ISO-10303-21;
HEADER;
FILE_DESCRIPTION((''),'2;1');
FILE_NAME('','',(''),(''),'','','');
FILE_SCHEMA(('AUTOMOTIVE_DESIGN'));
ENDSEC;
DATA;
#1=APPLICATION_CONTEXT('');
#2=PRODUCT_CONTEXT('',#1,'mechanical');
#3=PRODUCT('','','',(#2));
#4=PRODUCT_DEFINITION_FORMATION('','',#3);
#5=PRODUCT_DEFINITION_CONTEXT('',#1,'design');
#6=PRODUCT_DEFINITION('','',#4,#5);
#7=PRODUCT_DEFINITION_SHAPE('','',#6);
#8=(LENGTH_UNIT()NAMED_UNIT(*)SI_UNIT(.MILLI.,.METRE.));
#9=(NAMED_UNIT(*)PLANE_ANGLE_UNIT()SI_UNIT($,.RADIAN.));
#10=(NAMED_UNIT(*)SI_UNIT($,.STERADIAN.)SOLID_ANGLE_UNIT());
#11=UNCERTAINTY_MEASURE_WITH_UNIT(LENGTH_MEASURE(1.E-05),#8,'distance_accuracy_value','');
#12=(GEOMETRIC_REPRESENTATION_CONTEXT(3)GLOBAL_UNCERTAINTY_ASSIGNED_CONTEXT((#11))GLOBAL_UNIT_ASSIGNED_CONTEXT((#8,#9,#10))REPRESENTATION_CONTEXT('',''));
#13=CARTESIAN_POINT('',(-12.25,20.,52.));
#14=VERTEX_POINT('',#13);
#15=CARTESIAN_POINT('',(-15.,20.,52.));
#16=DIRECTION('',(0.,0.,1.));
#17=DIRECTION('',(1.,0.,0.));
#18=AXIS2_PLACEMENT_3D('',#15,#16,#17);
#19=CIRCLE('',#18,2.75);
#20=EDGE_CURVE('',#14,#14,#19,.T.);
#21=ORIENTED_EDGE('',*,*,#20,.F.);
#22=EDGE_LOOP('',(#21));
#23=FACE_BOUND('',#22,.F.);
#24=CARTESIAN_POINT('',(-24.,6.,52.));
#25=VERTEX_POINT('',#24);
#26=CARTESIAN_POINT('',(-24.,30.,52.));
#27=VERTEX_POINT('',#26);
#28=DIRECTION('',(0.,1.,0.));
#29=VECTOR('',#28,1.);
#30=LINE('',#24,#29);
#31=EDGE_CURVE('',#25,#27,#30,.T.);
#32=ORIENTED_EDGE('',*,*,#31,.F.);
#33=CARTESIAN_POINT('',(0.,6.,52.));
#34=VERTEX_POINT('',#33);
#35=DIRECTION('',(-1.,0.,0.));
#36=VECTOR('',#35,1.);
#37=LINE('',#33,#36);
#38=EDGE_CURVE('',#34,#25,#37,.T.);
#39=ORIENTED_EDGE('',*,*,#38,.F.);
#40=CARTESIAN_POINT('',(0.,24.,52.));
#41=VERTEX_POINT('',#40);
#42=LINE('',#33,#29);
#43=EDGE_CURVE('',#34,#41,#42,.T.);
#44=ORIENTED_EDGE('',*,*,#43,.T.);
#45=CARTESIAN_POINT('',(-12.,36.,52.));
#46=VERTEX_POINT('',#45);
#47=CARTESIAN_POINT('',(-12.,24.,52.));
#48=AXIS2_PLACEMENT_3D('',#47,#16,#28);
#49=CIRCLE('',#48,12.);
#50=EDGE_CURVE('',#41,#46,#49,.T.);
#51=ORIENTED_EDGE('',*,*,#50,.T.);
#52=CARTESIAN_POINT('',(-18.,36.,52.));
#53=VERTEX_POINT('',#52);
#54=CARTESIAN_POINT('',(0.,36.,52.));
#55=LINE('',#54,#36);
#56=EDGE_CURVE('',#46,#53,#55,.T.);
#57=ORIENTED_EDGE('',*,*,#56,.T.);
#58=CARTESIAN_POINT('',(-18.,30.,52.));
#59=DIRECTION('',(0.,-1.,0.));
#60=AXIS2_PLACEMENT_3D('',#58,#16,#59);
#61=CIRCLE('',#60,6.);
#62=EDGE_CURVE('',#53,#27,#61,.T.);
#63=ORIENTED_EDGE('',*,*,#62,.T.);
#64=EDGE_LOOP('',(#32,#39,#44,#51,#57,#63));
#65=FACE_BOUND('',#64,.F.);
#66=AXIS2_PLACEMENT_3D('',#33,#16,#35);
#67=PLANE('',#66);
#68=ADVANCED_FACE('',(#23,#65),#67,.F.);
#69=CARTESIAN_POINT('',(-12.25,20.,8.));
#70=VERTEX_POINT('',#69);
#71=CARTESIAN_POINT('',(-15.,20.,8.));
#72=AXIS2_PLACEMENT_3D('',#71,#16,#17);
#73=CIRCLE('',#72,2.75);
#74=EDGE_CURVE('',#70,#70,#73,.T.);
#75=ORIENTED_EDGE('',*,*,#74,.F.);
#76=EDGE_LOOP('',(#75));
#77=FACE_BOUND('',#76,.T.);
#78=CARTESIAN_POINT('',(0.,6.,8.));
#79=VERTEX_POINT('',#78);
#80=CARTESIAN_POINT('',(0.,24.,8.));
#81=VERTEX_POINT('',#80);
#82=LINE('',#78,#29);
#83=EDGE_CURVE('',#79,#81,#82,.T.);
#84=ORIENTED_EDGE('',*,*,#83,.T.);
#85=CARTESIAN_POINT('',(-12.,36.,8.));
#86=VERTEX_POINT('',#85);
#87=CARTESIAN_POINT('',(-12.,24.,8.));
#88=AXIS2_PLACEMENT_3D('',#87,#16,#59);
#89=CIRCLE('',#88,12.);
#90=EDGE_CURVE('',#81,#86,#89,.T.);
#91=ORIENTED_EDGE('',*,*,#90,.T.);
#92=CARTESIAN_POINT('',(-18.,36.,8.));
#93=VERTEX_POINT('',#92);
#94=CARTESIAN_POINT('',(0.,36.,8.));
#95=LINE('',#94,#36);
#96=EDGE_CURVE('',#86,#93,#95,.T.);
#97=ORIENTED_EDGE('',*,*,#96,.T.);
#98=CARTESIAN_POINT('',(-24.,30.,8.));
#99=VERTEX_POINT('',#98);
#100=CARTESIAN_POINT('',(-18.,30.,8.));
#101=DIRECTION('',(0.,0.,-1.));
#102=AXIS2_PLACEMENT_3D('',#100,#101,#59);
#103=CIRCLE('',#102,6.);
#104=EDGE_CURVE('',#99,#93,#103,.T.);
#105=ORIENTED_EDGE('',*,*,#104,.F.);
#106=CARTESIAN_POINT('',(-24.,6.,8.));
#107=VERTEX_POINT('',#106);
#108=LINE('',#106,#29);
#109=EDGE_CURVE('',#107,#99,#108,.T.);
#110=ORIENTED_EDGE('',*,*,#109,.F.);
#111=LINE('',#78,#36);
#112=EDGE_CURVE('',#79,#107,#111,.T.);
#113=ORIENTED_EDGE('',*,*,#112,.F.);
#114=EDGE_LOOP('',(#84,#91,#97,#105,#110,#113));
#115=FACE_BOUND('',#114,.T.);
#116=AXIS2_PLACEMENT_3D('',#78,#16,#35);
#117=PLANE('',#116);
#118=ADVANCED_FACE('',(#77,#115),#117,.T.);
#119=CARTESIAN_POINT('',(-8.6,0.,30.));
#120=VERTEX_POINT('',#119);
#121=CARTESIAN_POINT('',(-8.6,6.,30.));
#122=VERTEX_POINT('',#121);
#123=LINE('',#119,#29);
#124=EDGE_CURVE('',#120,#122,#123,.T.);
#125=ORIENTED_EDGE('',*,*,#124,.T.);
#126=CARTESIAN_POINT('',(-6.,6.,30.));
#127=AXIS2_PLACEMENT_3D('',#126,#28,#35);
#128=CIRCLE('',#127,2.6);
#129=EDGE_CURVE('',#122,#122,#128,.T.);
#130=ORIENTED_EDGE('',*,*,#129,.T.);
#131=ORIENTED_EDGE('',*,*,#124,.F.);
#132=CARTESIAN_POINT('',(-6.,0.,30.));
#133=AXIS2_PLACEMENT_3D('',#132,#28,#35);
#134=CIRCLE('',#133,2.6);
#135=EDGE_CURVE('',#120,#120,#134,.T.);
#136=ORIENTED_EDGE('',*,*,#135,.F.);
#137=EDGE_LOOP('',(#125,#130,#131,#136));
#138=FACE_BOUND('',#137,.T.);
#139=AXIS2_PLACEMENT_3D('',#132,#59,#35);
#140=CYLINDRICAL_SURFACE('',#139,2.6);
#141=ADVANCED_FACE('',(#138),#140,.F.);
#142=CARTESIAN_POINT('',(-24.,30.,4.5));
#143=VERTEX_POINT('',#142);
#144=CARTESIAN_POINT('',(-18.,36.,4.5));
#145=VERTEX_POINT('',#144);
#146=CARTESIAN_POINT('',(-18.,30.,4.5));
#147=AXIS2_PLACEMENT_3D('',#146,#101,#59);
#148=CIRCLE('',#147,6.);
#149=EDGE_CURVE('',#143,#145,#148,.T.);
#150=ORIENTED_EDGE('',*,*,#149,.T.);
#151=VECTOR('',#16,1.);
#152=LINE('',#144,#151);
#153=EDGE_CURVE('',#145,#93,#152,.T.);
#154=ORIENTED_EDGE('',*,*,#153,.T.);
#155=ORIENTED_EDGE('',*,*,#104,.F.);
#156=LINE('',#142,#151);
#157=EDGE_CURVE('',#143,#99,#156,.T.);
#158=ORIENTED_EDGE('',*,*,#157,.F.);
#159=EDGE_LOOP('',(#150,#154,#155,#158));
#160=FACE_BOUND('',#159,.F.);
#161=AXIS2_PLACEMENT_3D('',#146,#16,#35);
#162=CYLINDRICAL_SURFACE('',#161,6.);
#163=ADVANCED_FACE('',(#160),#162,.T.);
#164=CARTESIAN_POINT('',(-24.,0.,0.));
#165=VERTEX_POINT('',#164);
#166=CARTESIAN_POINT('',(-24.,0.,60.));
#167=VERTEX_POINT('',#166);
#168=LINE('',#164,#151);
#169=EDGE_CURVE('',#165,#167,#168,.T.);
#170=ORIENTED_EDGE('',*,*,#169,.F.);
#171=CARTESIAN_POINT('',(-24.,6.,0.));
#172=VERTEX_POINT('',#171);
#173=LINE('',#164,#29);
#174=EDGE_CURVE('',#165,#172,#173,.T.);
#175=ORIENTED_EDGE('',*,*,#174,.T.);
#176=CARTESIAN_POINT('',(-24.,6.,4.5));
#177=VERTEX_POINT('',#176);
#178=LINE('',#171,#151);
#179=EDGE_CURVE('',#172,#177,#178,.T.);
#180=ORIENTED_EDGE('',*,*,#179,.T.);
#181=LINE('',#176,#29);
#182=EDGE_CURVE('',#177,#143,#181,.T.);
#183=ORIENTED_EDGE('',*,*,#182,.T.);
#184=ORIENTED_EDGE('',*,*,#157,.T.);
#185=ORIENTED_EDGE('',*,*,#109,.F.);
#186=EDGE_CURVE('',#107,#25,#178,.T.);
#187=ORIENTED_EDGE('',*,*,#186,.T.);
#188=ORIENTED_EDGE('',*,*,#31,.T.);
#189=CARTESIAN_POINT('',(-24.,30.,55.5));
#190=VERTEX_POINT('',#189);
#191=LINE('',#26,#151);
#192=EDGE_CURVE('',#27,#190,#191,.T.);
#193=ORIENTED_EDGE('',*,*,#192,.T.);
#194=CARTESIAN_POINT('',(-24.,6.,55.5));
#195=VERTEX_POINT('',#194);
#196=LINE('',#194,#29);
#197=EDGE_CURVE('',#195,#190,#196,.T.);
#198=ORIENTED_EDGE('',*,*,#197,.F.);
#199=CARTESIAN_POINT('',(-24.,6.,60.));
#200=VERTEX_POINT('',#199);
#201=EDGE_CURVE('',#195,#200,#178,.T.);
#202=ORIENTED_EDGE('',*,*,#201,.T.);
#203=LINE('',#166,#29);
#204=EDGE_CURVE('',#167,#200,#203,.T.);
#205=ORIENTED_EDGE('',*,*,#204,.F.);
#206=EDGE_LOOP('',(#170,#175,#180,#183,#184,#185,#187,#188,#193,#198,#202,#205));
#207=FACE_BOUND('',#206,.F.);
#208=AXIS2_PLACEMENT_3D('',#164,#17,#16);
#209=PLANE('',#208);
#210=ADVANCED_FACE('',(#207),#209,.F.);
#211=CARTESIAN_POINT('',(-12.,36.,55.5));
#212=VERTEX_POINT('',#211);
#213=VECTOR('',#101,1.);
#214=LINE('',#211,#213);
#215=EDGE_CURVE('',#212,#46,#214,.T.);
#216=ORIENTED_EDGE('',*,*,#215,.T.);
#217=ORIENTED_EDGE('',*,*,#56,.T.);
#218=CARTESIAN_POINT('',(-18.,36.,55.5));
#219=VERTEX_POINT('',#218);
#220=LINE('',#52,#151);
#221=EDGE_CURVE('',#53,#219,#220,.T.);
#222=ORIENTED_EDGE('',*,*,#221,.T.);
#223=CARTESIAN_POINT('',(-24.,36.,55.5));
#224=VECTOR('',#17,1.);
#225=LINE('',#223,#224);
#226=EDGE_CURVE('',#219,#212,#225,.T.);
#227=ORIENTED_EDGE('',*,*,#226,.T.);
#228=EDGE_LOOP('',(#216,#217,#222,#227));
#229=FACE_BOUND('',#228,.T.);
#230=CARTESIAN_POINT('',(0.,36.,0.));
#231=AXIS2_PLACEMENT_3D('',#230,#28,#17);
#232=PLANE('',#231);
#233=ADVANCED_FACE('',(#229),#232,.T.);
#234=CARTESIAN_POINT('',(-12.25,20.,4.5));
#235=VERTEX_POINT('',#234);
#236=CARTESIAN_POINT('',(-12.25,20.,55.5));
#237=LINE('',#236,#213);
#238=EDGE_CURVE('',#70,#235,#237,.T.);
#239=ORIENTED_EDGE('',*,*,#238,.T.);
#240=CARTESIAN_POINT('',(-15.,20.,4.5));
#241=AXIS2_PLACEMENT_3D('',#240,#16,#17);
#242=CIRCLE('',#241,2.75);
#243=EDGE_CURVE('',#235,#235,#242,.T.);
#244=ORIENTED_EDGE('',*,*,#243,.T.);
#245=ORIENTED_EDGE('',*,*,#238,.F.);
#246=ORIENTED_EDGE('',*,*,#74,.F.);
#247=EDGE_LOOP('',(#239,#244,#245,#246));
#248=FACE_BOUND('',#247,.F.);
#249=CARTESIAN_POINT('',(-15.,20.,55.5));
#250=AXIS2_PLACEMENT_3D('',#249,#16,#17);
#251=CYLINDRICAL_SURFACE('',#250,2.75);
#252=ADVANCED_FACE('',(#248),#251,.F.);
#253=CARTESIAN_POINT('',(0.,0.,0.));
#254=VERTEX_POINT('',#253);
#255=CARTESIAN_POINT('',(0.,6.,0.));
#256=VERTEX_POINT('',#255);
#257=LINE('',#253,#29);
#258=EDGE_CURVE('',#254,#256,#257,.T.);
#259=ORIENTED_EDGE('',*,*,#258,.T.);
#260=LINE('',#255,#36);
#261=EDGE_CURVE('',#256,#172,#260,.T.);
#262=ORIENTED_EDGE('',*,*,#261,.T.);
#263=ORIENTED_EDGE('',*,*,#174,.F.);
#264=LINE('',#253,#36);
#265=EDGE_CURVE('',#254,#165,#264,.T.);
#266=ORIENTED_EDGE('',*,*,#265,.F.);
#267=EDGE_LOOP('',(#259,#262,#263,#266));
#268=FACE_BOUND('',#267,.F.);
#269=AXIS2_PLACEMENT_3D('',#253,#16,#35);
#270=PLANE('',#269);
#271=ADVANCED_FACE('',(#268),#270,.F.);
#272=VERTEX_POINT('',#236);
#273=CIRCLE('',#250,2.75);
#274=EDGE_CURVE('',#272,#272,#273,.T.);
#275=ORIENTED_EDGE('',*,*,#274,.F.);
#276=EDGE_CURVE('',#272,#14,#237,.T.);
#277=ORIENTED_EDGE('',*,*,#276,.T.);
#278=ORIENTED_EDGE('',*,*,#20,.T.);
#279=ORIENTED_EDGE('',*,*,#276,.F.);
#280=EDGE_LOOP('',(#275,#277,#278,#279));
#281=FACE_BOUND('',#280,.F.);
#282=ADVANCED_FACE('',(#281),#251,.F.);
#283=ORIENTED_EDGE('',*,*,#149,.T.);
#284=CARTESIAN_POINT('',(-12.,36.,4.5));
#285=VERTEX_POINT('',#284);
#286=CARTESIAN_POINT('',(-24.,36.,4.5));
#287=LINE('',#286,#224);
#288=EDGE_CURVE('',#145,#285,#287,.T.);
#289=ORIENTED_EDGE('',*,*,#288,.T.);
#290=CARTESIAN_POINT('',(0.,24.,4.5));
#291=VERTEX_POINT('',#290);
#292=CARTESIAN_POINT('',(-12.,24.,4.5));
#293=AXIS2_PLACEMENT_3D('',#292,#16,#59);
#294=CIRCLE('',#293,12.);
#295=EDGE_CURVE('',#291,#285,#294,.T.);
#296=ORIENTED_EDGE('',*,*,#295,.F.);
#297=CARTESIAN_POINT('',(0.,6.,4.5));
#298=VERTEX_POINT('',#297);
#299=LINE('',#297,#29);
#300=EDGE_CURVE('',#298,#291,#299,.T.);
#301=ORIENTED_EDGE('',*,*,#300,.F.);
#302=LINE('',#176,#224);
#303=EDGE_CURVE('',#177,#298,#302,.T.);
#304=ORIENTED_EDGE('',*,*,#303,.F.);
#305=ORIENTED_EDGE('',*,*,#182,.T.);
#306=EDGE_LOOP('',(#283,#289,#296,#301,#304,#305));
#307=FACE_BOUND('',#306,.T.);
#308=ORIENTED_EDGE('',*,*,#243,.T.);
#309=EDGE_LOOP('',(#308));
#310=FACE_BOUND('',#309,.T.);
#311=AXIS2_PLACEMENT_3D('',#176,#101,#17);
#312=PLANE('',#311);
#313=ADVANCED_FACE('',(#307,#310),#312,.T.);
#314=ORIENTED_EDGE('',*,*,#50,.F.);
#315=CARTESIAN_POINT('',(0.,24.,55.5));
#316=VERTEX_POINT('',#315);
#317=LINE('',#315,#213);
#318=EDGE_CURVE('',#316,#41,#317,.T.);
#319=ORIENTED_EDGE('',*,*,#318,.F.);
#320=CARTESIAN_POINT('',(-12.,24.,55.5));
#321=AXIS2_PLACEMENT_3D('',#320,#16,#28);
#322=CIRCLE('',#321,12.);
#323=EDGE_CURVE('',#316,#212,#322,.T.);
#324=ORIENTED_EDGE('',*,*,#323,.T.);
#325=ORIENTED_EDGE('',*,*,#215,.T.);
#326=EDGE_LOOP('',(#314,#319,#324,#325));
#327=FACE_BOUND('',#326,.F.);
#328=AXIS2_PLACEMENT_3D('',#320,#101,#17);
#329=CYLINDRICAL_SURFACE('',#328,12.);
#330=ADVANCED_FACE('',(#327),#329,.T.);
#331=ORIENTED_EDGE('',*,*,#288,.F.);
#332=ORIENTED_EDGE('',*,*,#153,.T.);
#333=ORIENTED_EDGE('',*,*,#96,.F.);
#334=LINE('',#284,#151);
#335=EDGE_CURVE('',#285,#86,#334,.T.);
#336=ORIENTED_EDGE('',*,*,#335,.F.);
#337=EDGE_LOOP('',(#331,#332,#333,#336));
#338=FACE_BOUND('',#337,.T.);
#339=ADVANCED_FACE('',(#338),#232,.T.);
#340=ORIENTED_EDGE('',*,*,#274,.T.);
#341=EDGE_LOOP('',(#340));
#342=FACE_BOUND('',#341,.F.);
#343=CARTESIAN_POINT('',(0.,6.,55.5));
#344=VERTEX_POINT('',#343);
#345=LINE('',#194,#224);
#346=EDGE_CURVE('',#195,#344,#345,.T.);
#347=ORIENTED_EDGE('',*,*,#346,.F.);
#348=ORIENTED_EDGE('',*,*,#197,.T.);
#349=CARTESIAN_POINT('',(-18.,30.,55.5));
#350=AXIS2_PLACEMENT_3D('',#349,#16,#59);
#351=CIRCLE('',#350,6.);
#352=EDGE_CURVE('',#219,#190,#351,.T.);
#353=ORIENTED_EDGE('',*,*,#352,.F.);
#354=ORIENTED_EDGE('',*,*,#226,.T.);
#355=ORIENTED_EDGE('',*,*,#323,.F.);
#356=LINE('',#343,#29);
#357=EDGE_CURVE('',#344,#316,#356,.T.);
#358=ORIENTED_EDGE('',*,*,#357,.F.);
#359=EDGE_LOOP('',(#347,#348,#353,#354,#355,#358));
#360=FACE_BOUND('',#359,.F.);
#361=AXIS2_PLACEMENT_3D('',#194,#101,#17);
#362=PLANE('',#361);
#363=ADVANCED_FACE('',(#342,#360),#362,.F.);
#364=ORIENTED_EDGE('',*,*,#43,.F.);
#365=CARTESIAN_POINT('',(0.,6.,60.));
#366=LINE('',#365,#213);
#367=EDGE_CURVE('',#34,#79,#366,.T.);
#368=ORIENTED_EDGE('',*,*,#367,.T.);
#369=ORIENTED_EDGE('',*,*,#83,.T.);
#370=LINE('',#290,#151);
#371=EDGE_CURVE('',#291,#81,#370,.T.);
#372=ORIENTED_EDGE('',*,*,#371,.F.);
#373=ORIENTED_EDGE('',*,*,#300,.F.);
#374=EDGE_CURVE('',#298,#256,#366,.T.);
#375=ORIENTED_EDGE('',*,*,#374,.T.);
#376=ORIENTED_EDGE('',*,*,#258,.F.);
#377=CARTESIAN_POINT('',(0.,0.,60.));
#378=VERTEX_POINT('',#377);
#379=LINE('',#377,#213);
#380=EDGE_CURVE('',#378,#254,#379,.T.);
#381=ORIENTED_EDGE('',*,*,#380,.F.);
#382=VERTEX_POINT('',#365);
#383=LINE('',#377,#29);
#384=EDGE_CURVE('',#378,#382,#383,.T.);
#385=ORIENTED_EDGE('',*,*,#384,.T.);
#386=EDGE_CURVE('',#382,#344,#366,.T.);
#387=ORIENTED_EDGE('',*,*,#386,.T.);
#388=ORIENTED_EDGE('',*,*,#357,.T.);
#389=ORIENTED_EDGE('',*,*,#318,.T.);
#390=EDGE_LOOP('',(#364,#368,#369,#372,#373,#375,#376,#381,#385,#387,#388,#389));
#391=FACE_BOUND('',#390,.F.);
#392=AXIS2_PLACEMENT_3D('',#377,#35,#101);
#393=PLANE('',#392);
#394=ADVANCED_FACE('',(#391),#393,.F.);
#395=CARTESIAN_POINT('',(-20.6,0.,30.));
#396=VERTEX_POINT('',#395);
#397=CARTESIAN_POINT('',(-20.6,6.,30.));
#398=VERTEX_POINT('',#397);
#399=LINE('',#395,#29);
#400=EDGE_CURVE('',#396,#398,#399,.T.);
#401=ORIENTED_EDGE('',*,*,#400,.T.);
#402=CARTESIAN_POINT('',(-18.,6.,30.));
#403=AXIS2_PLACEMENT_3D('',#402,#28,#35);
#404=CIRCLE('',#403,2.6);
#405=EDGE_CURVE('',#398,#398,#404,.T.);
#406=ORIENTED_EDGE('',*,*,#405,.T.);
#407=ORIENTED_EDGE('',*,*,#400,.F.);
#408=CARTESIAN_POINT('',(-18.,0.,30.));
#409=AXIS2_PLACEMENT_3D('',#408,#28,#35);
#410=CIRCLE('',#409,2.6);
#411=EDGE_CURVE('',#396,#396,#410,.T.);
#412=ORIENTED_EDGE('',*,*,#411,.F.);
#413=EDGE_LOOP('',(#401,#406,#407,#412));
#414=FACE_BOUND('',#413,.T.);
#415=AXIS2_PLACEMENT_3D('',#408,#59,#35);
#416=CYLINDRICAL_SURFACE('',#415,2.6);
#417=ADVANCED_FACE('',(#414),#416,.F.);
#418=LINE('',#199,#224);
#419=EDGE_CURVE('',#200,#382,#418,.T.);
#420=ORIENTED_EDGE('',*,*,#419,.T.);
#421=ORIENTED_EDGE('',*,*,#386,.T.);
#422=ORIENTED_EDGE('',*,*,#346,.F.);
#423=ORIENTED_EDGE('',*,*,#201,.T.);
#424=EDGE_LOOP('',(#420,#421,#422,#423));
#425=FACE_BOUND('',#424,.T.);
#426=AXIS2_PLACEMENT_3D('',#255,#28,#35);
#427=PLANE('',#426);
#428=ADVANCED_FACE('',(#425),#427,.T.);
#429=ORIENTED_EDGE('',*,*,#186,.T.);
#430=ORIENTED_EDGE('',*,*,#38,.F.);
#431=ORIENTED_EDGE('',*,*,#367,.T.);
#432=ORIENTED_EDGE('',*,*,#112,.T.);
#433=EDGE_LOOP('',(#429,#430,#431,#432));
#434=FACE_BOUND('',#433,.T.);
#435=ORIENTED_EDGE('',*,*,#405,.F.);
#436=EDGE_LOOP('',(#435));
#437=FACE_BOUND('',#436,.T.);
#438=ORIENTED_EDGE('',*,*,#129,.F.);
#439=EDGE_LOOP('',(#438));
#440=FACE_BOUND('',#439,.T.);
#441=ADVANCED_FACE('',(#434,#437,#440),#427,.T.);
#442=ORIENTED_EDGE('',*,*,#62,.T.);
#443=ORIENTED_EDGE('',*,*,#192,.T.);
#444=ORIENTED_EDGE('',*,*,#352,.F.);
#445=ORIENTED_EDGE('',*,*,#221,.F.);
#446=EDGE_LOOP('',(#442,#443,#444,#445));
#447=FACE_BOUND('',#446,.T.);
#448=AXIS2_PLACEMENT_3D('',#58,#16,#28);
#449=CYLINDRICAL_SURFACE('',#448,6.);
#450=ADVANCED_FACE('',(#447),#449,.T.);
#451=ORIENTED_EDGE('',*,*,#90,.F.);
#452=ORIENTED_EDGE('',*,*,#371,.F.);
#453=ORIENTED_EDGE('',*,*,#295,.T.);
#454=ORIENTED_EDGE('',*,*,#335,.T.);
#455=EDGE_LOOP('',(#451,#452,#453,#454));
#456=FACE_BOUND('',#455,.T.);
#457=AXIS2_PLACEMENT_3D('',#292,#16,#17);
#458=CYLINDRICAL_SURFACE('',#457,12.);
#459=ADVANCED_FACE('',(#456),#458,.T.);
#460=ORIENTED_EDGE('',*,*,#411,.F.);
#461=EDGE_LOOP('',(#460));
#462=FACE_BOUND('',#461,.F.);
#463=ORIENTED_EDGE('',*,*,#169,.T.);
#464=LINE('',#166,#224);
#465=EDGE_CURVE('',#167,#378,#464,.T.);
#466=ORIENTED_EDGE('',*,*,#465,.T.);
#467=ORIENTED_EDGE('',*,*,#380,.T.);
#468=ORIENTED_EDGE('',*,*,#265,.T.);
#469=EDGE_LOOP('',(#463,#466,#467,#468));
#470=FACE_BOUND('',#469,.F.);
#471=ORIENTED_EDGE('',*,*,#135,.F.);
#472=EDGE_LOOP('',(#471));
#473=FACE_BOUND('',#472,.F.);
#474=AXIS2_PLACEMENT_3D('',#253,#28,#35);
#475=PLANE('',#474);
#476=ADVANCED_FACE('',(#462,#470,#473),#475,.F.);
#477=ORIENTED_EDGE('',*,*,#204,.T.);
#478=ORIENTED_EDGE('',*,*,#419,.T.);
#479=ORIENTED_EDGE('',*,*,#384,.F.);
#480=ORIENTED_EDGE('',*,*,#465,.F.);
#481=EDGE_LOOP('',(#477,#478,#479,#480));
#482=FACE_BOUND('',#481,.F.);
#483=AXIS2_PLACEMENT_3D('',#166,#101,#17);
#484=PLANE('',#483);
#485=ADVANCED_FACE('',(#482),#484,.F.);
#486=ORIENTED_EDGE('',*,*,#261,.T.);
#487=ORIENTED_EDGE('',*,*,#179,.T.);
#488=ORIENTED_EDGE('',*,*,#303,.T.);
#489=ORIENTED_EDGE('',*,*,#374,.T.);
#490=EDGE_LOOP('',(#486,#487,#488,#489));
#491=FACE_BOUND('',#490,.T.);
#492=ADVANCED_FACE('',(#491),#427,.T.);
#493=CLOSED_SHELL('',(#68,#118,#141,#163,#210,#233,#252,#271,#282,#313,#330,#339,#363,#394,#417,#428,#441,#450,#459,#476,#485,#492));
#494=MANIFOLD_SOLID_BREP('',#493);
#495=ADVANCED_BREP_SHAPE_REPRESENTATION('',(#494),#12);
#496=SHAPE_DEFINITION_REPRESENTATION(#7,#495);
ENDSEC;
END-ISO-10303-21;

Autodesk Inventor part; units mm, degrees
ref_plane "YZ Plane" through (0, 0, 0) normal (1, 0, 0) x (0, 1, 0)
ref_plane "XZ Plane" through (0, 0, 0) normal (0, 1, 0) x (-1, 0, 0)
ref_plane "XY Plane" through (0, 0, 0) normal (0, 0, 1) x (1, 0, 0)
sketch "Sketch1" plane through (0, 0, 0) normal (0, 1, 0) x (-1, 0, 0)
  line L0 (0, 0) -> (24, 0)
  line L1 (24, 0) -> (24, 60)
  line L2 (24, 60) -> (0, 60)
  line L3 (0, 60) -> (0, 0)
  line L4 (24, 30) -> (0, 30) construction
  circle A0 centre (18, 30) radius 2.6
  circle A1 centre (6, 30) radius 2.6
  dimension "d0" = 24
  dimension "d1" = 60
  dimension "d2" = 5.2
  dimension "d3" = 5.2
  dimension "d4" = 6
  dimension "d5" = 6
  dimension "d6" = 12
extrude "Extrusion1" add sketch "Sketch1" along normal blind 6
sketch "Sketch2" plane through (0, 6, 0) normal (0, 1, 0) x (1, 0, 0)
  line L0 (-24, 0) -> (-24, -60) projected
  line L1 (-24, -4.5) -> (0, -4.5)
  line L2 (0, -4.5) -> (0, -8)
  line L3 (0, -8) -> (-24, -8)
  line L4 (-24, -8) -> (-24, -4.5)
  line L5 (-24, -55.5) -> (0, -55.5)
  line L6 (0, -55.5) -> (0, -52)
  line L7 (0, -52) -> (-24, -52)
  line L8 (-24, -52) -> (-24, -55.5)
  line L9 (0, 0) -> (-24, 0) projected
  dimension "d9" = 24
  dimension "d10" = 24
  dimension "d12" = 51
  dimension "d13" = 3.5
  dimension "d14" = 3.5
  dimension "d15" = 4.5
extrude "Extrusion2" add sketch "Sketch2" along normal blind 30
sketch "Sketch3" plane through (-24, 6, 55.5) normal (0, 0, 1) x (1, 0, 0)
  point P0 (24, -6)
sketch "Sketch4" plane through (-24, 6, 55.5) normal (0, 0, 1) x (1, 0, 0)
  circle A0 centre (9, 14) radius 2.75
  line L0 (0, 0) -> (24, 0) projected
  line L1 (0, 0) -> (0, 30) projected
  point P0 (24, -6)
  dimension "d18" = 5.5
  dimension "d19" = 14
  dimension "d20" = 9
extrude "Extrusion3" cut sketch "Sketch4" against normal through all
fillet "Fillet1" radius 12 2 edges at (0, 36, 53.75) (0, 36, 6.25)
fillet "Fillet2" radius 6 2 edges at (-24, 36, 53.75) (-24, 36, 6.25)
equation "\"d5\" = d4"
equation "\"d14\" = d13"
properties part number "X Axis Drag Chain Mount Statonary Bolted"
